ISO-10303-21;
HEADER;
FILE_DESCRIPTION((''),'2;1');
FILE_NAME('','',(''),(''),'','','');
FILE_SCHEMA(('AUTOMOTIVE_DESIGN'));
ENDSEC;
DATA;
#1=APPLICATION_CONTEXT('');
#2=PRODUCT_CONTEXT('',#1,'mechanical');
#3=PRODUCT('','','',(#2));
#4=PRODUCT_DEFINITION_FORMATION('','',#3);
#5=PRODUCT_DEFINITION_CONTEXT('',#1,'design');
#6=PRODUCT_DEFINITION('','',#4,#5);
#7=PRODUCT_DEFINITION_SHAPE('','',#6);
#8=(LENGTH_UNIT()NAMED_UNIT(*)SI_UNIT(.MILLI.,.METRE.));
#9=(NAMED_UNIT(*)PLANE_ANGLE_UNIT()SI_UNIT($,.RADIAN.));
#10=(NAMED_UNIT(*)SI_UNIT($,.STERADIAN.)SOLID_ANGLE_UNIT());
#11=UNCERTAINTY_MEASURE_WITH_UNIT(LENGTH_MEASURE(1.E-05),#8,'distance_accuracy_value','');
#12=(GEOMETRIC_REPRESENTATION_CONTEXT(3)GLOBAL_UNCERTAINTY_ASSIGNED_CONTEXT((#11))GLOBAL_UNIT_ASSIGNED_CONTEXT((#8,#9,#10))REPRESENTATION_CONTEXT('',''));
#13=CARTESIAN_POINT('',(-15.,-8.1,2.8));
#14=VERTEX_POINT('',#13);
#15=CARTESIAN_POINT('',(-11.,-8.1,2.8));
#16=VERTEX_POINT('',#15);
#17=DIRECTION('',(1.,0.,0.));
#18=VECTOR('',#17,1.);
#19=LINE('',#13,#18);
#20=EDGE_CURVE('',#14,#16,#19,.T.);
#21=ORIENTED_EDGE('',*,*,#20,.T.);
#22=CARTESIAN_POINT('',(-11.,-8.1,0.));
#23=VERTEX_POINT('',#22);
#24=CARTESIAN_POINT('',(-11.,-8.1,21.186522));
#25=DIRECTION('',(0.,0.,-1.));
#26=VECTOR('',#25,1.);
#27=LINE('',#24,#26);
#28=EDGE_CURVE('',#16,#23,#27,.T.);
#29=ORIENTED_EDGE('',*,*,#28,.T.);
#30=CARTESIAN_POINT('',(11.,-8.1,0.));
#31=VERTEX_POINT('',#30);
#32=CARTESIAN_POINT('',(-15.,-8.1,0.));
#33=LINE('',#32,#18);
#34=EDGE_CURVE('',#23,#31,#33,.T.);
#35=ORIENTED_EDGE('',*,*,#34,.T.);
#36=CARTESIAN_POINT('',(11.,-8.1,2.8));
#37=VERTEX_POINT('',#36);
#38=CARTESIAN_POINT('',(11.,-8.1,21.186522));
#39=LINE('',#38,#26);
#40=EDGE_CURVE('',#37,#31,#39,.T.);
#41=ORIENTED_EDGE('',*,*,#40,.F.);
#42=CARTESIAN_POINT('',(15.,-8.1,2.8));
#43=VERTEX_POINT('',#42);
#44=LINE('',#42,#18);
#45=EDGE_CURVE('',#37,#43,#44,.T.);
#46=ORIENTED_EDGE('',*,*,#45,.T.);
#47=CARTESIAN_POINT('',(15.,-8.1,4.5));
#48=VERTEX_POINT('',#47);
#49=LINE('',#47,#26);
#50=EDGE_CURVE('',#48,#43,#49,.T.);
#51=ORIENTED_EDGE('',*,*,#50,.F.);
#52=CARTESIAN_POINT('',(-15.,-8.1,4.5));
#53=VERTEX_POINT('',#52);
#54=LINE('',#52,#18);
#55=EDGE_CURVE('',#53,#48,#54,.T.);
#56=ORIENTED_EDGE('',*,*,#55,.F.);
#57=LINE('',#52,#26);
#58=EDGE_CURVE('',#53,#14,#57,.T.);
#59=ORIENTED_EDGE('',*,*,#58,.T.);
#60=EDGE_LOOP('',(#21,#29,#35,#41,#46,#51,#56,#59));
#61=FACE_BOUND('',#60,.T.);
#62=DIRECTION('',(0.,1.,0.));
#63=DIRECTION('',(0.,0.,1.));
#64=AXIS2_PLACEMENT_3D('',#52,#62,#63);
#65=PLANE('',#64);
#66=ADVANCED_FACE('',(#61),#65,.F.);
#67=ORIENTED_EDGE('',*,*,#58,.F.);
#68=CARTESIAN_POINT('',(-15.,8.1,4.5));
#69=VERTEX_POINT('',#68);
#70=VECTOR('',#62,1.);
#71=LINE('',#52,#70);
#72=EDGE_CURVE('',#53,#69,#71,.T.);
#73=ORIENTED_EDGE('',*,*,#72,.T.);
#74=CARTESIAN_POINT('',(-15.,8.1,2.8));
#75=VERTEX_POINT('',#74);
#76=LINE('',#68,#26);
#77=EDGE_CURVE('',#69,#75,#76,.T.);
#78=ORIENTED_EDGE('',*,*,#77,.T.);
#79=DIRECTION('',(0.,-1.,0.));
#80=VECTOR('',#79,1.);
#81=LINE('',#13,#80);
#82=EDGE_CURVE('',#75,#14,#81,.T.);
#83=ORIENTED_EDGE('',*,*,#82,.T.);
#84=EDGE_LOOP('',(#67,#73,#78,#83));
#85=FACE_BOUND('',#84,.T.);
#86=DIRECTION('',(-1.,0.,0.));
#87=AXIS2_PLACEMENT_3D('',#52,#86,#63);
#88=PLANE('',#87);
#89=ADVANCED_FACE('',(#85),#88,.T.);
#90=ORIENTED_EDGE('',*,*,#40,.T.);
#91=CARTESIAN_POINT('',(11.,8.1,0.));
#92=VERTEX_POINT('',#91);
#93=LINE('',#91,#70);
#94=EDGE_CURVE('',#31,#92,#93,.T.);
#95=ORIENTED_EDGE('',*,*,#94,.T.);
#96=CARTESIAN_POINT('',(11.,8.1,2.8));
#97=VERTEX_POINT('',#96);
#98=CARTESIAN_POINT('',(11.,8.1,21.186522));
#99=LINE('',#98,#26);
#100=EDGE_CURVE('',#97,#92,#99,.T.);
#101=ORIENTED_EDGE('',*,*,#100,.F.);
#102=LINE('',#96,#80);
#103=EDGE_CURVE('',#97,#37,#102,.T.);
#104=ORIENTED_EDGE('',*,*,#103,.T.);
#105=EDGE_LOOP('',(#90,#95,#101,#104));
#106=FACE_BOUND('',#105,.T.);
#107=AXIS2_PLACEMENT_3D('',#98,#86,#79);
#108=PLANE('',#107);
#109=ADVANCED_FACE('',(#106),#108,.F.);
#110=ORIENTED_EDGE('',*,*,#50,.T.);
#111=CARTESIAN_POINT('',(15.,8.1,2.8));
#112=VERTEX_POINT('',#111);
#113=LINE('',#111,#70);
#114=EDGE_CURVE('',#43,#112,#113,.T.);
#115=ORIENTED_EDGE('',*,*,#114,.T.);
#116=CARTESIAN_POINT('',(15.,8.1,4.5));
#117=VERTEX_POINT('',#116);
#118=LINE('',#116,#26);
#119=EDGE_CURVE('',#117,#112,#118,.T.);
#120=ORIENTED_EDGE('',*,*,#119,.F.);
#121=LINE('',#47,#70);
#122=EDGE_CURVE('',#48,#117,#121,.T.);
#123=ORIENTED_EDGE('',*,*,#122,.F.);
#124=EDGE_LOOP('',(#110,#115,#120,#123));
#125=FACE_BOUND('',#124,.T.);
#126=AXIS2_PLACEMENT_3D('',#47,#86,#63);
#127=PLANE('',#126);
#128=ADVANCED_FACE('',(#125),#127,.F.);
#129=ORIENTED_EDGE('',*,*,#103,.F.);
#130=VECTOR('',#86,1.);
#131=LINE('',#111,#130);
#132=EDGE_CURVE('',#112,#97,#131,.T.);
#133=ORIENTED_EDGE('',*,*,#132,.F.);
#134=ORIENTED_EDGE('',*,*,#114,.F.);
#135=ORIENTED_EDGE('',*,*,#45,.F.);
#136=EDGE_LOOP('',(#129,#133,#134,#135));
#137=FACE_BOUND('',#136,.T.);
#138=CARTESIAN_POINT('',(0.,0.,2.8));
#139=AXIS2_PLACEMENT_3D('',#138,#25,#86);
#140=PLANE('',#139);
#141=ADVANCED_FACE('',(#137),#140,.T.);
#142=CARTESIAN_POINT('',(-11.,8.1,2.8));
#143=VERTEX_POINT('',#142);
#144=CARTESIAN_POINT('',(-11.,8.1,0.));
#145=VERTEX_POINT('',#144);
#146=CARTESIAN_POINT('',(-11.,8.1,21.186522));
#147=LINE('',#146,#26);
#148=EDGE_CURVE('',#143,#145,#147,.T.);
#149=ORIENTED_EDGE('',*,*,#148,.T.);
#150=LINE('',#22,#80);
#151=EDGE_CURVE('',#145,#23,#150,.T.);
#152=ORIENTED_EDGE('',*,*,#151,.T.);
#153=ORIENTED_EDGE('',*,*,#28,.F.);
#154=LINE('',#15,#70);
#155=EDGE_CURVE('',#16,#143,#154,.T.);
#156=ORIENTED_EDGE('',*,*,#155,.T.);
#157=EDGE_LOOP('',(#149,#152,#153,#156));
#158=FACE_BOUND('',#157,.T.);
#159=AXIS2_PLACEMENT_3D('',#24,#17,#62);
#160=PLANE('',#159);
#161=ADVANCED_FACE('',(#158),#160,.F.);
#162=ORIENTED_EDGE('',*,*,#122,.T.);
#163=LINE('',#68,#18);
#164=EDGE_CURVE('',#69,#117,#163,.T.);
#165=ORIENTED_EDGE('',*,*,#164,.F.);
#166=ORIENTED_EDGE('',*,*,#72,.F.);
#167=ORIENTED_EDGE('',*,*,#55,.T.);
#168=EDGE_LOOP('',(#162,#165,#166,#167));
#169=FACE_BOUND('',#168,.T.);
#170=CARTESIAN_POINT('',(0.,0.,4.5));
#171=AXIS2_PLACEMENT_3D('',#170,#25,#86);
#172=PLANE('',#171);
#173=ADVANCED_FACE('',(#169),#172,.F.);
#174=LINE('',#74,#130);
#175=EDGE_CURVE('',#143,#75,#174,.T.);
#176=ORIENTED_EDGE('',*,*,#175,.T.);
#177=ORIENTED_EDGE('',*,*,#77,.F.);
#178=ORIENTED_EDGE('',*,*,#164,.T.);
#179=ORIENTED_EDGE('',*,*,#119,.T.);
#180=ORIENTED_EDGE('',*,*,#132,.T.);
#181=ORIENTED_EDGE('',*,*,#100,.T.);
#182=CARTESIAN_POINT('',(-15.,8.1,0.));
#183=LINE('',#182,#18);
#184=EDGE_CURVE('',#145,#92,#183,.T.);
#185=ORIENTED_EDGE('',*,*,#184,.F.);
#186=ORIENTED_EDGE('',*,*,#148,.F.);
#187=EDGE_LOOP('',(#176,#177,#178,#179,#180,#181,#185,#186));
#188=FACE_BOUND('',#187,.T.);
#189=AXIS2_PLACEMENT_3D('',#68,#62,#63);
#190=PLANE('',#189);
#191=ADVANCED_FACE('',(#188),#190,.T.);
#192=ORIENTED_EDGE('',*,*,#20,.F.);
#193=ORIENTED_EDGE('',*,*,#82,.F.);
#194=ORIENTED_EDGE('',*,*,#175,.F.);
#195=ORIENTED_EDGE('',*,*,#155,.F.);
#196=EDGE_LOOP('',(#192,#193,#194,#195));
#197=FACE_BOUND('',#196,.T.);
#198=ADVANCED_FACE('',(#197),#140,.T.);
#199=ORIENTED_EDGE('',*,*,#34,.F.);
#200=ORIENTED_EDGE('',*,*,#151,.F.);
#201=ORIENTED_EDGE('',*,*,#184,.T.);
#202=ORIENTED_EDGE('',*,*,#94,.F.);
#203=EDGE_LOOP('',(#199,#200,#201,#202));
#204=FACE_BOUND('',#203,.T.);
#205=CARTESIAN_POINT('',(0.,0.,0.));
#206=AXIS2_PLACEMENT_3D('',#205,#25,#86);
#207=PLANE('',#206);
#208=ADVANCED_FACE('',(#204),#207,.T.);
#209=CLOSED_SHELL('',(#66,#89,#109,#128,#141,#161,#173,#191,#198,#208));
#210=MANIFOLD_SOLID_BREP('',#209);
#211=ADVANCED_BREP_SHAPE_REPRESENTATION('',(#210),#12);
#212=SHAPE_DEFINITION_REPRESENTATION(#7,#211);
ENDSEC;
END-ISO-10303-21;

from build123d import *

# Parameters (mm, degrees)
SKETCH_1_W          = 30
SKETCH_1_H          = 16.2
EXTRUDE_1_DEPTH     = 4.5
SKETCH_2_W          = 4
SKETCH_2_H          = 16.2
CUT_EXTRUDE_1_DEPTH = 2.8


with BuildPart() as part:
    # 草图1 → 凸台-拉伸1 (new body)
    with BuildSketch(Plane.XY):
        Rectangle(SKETCH_1_W, SKETCH_1_H)
    extrude(amount=EXTRUDE_1_DEPTH)

    # 草图2 → 切除-拉伸1 (cut)
    with BuildSketch(Plane(origin=(0, 0, 0), x_dir=(-1, 0, 0), z_dir=(0, 0, -1))):
        with Locations((-13, 0)):
            Rectangle(SKETCH_2_W, SKETCH_2_H)
        with Locations((13, 0)):
            Rectangle(SKETCH_2_W, SKETCH_2_H)
    extrude(amount=-CUT_EXTRUDE_1_DEPTH, mode=Mode.SUBTRACT)


solid = part.part
